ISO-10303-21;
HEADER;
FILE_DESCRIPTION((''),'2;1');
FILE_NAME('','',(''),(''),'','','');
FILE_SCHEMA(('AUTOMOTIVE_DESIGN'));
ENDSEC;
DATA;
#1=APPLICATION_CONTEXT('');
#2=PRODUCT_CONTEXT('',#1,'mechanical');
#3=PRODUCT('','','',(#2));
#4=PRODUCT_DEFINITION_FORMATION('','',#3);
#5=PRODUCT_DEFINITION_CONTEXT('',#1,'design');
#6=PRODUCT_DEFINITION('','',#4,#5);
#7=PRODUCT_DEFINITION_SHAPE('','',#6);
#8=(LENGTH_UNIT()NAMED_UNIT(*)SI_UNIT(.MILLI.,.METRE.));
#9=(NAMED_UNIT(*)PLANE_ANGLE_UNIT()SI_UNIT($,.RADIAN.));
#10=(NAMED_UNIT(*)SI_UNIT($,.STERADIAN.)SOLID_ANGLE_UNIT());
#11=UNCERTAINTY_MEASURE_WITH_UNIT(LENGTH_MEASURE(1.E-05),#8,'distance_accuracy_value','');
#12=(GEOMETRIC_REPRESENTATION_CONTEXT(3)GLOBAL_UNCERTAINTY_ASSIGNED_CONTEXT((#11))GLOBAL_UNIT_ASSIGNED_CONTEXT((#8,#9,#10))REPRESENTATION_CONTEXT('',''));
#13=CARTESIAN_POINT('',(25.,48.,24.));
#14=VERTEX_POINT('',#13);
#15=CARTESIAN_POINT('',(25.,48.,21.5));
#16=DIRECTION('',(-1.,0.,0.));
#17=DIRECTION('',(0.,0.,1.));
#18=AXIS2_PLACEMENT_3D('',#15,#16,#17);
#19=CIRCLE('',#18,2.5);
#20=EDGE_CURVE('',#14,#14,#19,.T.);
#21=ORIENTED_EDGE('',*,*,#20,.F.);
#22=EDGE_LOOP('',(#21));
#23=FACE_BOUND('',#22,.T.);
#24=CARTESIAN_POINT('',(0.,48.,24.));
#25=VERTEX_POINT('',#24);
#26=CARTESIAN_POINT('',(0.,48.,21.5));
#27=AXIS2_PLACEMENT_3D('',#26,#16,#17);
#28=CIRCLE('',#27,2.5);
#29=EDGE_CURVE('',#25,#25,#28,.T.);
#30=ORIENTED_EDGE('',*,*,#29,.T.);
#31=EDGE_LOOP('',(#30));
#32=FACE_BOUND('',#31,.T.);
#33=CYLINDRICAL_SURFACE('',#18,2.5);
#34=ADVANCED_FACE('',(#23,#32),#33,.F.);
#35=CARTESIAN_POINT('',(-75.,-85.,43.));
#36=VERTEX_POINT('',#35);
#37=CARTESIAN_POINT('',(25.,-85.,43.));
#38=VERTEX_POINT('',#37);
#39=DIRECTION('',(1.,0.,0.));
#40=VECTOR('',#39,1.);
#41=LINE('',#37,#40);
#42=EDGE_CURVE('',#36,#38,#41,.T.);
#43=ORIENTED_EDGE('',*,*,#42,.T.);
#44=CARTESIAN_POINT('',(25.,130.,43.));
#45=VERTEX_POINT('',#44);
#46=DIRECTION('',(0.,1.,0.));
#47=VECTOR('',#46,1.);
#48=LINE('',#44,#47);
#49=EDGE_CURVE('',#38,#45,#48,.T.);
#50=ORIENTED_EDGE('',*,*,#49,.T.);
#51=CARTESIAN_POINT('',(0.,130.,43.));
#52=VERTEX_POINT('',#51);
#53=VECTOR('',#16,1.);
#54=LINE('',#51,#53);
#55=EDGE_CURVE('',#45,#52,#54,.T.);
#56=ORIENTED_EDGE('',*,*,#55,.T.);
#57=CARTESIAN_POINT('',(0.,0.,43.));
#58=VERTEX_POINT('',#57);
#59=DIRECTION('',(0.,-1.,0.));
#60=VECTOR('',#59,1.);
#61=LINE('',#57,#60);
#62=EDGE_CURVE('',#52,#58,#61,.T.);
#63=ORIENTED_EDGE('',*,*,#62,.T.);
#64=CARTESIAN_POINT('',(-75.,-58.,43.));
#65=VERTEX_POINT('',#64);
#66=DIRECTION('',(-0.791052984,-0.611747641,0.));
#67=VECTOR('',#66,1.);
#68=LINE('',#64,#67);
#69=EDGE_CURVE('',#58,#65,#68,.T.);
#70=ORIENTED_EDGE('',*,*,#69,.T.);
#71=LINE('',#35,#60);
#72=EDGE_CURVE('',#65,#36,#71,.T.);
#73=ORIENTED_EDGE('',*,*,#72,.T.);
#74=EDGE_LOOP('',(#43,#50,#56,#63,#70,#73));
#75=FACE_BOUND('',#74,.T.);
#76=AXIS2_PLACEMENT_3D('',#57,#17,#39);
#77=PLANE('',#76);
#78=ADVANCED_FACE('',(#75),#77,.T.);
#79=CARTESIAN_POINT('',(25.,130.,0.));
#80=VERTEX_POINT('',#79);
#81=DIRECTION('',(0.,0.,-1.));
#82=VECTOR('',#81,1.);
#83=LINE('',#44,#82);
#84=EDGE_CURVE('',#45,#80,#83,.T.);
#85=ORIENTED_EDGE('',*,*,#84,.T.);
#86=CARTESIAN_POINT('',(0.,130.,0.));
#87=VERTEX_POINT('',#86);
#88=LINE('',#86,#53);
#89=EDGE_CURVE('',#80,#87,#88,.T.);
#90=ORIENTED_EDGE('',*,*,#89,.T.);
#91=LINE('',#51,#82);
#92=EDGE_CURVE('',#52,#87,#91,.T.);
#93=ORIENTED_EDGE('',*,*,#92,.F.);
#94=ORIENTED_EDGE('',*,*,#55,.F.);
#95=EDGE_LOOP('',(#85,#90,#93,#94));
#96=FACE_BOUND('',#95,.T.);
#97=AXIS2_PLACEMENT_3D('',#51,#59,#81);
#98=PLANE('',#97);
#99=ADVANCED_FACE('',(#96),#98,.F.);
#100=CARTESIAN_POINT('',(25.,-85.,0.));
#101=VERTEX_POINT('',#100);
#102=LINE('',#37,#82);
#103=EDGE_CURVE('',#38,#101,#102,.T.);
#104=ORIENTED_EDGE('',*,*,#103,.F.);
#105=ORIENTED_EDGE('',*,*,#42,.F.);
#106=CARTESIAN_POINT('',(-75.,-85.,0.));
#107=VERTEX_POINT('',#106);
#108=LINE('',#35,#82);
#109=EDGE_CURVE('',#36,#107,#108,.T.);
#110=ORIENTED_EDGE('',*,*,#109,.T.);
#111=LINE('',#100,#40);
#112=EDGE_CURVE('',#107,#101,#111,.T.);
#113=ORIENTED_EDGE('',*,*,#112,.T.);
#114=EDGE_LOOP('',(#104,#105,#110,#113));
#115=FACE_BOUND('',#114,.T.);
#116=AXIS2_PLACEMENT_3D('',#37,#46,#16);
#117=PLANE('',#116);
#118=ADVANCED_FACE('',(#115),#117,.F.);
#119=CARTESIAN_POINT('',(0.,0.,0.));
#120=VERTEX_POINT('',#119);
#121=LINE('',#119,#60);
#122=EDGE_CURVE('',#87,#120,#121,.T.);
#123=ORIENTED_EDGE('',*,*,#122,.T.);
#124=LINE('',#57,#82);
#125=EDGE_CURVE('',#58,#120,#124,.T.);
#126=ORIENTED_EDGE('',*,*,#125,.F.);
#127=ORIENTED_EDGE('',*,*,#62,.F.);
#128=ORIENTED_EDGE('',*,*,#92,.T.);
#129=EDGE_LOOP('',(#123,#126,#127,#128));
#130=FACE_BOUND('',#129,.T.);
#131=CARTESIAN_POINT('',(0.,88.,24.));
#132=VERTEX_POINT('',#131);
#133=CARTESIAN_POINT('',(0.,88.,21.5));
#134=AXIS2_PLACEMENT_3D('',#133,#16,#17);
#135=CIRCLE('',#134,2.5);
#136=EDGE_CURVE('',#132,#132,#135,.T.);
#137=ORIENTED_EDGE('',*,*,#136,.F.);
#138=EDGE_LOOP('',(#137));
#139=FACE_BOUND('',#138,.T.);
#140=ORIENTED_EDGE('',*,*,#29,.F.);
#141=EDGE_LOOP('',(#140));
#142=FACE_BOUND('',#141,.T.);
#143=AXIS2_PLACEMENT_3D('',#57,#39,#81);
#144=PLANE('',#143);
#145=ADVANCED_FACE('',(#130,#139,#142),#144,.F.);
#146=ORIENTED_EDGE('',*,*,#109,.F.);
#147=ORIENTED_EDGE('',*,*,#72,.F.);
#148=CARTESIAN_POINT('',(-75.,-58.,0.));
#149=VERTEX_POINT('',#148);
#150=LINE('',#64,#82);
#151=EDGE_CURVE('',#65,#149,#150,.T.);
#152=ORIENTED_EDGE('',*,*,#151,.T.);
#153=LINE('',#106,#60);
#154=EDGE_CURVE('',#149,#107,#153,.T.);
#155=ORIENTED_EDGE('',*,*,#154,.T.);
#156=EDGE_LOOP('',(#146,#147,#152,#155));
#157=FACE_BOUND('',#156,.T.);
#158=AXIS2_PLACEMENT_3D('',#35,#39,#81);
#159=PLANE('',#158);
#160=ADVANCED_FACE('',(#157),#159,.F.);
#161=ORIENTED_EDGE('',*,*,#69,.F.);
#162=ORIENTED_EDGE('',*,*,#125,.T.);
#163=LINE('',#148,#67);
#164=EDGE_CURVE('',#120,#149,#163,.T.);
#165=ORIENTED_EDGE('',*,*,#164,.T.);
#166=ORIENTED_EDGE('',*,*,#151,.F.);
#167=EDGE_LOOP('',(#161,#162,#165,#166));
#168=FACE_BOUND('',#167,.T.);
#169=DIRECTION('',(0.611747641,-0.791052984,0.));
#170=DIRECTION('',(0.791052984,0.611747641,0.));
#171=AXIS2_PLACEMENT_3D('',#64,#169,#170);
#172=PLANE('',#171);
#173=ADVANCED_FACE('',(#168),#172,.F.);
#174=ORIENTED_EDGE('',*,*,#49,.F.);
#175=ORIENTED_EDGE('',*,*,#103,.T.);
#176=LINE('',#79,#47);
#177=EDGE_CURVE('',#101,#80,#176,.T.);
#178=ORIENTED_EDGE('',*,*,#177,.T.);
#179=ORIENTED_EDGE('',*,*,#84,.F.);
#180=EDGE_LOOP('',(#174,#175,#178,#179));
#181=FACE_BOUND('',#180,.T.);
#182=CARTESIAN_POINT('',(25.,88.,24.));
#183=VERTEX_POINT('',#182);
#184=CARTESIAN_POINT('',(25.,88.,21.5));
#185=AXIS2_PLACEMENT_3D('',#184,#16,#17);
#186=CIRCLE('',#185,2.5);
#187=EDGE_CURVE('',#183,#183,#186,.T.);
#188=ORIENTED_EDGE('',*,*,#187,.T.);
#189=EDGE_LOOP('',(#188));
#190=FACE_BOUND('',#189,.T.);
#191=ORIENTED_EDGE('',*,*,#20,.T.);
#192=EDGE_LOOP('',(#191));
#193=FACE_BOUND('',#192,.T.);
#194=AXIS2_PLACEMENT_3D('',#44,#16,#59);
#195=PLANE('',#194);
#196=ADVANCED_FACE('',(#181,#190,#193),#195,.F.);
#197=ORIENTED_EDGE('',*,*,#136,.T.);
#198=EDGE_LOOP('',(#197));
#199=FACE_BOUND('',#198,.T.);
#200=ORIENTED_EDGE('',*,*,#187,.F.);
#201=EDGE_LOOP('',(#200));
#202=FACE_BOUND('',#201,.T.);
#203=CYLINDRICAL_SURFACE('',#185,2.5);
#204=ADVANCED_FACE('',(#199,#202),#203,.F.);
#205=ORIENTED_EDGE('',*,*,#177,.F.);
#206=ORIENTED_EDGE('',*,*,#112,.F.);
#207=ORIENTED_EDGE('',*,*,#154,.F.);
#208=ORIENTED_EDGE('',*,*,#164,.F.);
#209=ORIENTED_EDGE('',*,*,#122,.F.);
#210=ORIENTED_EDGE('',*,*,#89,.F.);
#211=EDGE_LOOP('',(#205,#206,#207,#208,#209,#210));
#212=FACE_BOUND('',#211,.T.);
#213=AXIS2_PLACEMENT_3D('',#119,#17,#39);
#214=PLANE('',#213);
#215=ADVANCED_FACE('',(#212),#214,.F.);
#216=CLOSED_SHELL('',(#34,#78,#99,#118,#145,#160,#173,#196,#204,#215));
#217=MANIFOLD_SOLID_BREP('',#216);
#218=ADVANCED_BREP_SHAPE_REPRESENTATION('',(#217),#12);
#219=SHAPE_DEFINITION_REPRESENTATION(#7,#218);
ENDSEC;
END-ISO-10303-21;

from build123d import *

# Parameters (mm, degrees)
BOSS_EXTRUDE1_DEPTH = 43
SKETCH2_R           = 2.5
CUT_EXTRUDE1_DEPTH  = 25


with BuildPart() as part:
    # Sketch1 → Boss-Extrude1 (new body)
    with BuildSketch(Plane.XY):
        Polygon((0, 0), (0, 130), (25, 130), (25, -85), (-75, -85), (-75, -58), align=None)
    extrude(amount=BOSS_EXTRUDE1_DEPTH)

    # Sketch2 → Cut-Extrude1 (cut)
    with BuildSketch(Plane.ZY):
        with Locations((21.5, 88)):
            Circle(SKETCH2_R)
        with Locations((21.5, 48)):
            Circle(SKETCH2_R)
    extrude(amount=-CUT_EXTRUDE1_DEPTH, mode=Mode.SUBTRACT)


solid = part.part
